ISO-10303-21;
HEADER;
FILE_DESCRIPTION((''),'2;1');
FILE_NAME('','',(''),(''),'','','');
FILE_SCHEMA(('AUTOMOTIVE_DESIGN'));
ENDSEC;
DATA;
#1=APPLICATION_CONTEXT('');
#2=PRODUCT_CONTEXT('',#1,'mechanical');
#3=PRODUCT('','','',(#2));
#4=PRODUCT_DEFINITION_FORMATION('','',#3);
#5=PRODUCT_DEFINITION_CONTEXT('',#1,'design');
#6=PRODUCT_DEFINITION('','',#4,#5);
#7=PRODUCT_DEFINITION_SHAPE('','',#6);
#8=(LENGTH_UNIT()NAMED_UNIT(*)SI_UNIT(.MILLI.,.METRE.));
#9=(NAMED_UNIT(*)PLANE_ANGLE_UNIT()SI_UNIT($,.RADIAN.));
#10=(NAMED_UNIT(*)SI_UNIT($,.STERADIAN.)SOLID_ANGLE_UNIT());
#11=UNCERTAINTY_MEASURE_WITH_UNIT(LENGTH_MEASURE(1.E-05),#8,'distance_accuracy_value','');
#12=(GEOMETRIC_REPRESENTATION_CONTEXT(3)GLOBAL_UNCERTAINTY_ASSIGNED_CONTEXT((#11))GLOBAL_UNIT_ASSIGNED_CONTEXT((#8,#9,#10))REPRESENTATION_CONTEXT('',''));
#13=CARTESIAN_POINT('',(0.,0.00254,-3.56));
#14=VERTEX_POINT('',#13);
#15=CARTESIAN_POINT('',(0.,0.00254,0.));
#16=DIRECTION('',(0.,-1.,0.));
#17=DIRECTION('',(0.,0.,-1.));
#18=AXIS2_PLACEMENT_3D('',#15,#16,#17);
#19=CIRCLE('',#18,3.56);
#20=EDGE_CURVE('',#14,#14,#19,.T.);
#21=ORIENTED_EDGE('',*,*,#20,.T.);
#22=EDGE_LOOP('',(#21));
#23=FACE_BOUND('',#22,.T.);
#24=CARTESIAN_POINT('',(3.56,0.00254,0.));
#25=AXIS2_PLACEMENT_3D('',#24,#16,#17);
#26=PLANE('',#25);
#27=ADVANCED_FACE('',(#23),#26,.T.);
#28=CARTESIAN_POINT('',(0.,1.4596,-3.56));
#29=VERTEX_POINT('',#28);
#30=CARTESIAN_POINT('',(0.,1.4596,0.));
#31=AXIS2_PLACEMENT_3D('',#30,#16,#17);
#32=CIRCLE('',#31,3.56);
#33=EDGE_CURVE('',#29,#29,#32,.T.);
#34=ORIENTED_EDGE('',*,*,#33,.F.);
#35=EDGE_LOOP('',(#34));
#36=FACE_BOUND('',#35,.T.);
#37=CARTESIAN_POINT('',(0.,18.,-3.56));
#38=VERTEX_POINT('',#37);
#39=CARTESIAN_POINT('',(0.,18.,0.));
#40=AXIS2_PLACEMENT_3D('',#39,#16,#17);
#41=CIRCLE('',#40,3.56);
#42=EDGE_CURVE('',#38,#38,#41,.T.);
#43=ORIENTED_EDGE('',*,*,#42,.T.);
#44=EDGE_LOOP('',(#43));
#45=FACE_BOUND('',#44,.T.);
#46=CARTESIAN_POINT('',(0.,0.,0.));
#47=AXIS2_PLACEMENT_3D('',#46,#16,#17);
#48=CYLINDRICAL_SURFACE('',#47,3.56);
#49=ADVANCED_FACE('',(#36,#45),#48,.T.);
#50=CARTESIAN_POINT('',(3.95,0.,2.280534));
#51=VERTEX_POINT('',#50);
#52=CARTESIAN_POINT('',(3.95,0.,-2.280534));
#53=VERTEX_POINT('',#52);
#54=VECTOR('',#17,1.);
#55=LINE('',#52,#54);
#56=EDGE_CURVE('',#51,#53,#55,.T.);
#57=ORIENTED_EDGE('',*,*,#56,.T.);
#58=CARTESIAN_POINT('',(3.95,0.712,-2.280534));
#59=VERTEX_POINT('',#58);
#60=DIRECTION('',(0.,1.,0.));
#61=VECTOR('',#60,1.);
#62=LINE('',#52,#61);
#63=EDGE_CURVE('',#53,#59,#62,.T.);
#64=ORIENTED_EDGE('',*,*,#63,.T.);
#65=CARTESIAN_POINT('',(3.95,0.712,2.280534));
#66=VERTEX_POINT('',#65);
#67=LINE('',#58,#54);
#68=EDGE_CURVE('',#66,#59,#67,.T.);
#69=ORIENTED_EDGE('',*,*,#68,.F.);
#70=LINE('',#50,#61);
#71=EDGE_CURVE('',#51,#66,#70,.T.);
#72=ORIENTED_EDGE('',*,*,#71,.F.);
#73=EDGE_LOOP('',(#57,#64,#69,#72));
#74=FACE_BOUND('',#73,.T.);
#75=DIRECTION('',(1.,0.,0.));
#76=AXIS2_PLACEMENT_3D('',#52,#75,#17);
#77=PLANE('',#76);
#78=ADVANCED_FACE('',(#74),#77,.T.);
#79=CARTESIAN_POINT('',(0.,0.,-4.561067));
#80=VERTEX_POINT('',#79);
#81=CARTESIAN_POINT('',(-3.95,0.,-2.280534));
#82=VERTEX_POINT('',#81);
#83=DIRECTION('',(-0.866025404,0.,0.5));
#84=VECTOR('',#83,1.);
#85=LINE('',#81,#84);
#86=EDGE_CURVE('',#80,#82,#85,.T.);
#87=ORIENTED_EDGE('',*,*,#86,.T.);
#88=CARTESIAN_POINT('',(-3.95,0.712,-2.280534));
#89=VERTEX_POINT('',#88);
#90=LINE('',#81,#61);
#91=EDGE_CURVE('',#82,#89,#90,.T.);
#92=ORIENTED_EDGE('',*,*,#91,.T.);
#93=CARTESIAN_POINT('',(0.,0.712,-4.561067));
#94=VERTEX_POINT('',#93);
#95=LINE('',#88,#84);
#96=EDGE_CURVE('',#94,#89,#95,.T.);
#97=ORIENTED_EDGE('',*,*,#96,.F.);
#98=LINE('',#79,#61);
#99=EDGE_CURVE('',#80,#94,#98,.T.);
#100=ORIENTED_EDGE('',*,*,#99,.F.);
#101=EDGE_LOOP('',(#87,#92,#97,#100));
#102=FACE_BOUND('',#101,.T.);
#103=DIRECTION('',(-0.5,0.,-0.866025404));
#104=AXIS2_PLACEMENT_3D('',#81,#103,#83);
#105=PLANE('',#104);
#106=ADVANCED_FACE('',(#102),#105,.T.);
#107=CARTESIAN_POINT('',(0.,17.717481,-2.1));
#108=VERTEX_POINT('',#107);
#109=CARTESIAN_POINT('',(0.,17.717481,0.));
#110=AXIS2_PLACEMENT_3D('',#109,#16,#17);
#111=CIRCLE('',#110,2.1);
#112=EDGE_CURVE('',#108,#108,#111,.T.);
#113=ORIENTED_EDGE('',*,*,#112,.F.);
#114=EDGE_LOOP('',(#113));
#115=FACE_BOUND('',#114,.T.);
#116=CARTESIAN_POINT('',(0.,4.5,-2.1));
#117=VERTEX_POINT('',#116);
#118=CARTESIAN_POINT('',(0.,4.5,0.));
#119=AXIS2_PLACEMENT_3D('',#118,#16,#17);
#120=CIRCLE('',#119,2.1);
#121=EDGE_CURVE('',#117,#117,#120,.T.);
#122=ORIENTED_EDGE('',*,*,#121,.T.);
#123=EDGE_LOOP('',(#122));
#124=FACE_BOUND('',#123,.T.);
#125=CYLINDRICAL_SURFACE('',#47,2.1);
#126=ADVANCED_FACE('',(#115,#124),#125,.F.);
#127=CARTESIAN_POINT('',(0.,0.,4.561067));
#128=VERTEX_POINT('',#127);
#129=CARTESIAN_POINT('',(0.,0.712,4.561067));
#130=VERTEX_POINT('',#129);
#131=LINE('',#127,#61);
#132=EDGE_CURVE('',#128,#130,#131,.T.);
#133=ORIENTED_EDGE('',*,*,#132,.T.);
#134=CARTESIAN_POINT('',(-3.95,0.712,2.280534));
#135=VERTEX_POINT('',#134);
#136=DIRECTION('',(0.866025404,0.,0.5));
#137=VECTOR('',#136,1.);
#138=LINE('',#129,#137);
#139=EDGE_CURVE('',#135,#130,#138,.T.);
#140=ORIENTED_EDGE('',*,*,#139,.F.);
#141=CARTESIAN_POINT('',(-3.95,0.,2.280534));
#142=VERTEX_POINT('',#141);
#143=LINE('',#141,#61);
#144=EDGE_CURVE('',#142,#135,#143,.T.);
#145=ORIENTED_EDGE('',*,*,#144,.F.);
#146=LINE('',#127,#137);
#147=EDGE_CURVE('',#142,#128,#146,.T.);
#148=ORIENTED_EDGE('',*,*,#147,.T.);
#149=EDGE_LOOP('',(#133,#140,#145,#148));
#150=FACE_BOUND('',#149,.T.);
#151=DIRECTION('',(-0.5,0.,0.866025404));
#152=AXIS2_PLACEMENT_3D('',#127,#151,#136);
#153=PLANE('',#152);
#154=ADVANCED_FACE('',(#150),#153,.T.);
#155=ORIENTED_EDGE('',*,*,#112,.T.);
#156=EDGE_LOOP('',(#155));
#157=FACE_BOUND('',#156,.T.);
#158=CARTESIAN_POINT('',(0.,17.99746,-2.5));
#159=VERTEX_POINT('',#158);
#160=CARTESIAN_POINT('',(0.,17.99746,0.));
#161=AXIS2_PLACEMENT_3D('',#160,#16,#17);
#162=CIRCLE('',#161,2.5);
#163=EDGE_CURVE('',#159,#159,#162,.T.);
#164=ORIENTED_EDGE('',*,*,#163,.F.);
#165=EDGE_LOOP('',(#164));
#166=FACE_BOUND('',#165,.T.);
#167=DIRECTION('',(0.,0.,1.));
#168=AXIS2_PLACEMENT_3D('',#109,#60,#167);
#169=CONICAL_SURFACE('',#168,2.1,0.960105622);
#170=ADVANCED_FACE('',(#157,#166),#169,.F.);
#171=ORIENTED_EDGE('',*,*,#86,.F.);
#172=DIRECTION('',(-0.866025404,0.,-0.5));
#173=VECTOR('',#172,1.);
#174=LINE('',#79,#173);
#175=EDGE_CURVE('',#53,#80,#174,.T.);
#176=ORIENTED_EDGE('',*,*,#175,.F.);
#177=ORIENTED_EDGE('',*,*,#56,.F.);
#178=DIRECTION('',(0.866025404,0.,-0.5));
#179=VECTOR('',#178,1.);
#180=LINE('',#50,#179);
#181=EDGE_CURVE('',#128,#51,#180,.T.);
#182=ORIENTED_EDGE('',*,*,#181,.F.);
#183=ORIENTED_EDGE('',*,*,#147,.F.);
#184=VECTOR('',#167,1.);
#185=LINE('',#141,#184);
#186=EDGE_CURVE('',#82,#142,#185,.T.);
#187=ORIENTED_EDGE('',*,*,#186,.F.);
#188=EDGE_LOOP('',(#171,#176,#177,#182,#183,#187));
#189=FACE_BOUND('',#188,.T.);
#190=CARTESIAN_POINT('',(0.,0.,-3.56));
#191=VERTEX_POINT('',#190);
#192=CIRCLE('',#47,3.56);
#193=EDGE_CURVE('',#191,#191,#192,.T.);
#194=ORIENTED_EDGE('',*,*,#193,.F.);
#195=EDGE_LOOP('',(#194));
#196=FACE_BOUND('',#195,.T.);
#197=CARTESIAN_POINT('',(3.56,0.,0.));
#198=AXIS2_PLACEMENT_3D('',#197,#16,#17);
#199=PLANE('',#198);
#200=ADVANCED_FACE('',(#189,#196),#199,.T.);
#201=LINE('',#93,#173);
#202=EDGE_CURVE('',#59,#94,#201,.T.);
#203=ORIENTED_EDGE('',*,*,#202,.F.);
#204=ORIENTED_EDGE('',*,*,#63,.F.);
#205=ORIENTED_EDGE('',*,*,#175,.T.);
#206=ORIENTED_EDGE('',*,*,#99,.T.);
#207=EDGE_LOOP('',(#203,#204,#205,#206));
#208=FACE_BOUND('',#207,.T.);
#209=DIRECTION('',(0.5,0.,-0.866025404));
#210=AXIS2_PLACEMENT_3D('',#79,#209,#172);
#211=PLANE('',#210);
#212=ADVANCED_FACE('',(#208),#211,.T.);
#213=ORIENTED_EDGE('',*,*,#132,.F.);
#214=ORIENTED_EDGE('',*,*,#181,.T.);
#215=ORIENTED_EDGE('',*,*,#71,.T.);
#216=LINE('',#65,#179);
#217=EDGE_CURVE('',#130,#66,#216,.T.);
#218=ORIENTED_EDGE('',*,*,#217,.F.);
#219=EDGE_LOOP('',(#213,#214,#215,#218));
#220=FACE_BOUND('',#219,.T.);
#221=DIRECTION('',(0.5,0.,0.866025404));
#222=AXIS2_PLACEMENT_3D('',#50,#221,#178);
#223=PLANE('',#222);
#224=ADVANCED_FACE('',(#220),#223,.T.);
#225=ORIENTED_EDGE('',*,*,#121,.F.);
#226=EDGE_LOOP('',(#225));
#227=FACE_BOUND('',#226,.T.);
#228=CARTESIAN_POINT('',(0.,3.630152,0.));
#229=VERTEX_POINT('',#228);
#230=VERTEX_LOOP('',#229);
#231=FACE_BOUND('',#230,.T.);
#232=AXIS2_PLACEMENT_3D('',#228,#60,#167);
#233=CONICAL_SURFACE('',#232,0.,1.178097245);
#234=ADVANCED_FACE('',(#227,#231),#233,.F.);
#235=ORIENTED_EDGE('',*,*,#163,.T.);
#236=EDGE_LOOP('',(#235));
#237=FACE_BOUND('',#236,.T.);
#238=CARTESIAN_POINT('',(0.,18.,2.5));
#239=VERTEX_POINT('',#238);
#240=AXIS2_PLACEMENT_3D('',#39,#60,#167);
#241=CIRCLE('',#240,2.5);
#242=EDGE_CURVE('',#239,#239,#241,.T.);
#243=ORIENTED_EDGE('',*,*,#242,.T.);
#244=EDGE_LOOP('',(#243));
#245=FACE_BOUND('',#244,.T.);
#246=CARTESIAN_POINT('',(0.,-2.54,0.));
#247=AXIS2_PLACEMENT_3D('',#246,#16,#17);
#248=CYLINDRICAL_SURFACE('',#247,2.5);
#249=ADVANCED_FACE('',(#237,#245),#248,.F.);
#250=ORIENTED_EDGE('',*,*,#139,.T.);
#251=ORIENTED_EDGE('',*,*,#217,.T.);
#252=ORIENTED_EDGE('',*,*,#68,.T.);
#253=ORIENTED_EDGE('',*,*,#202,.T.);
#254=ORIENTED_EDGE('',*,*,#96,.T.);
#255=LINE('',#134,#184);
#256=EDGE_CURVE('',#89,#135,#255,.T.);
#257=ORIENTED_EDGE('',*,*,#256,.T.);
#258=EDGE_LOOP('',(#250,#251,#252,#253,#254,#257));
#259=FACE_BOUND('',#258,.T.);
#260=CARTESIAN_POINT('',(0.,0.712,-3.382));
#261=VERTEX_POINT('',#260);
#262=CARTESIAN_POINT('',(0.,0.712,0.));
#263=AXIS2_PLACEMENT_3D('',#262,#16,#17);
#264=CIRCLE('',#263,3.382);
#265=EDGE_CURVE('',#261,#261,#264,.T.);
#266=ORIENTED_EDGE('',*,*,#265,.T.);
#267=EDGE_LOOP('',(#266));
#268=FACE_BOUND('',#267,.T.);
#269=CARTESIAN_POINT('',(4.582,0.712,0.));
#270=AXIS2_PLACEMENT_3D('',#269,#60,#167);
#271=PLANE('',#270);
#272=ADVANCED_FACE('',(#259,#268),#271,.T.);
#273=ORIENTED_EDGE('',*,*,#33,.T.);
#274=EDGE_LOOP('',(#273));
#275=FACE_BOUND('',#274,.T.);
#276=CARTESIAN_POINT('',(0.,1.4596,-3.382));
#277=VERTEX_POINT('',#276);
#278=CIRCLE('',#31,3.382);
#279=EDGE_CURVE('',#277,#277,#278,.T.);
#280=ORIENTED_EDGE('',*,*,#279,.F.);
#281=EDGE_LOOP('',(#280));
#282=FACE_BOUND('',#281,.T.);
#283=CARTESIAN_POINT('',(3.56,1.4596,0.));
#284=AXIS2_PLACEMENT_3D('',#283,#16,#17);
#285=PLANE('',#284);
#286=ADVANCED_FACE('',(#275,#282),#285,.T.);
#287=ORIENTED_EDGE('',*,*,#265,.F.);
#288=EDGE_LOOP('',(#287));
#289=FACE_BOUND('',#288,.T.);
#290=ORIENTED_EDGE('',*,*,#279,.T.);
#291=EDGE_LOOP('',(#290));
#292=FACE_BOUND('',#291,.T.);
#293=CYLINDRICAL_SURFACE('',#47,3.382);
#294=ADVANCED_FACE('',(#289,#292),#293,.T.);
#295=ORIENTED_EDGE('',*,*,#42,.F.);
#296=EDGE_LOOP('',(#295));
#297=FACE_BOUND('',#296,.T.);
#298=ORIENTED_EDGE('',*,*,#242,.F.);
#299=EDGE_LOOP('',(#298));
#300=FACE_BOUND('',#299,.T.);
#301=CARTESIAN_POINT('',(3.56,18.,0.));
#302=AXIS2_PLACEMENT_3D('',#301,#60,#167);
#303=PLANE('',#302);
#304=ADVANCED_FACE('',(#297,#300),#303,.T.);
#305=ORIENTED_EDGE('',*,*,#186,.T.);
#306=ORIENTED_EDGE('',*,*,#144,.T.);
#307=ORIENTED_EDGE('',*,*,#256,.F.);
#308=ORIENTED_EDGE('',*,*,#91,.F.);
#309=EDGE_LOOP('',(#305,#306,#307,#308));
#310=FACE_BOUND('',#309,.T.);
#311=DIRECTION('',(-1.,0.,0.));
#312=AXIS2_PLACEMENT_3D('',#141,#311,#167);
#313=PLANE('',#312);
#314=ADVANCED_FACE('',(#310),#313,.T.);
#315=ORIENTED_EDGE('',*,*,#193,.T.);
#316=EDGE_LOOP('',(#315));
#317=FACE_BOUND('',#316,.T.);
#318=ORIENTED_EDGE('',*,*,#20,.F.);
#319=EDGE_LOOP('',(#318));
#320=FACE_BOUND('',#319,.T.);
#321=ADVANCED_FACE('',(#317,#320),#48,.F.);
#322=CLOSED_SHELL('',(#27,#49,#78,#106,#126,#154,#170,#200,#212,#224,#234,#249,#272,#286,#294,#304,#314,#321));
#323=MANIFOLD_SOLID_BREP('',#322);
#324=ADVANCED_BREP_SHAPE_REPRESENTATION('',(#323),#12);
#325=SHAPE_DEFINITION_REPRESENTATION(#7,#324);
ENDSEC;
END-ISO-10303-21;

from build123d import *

# Parameters (mm, degrees)
HEXDIESKE_R  = 4.5825
HEXDIE_DEPTH = 0.712


with BuildPart() as part:
    # BodySke → Body (revolve)
    with BuildSketch(Plane.XY, mode=Mode.PRIVATE) as body_sk:
        Polygon((3.56, 0), (4.582, 0), (4.582, 0.712), (3.382, 0.712), (3.382, 1.4596), (3.56, 1.4596), (3.56, 18), (2.1, 18), (2.1, 8.5), (0, 8.5), (0, 0.00254), (3.56, 0.00254), align=None)
    revolve(body_sk.sketch.rotate(Axis((0, 0, 0), (0, 1, 0)), 90), axis=Axis((0, 0, 0), (0, 1, 0)))

    # TapDriSke → TapDrill (revolve, cut)
    with BuildSketch(Plane.XY, mode=Mode.PRIVATE) as tapdrill_sk:
        Polygon((2.1, 4.5), (2.1, 18), (0, 18), (0, 3.630151519), align=None)
    revolve(tapdrill_sk.sketch.rotate(Axis((0, 0, 0), (0, 1, 0)), 90), axis=Axis((0, 0, 0), (0, 1, 0)), mode=Mode.SUBTRACT)

    # EndChamferSke → EndChamfer (revolve, cut)
    with BuildSketch(Plane.XY, mode=Mode.PRIVATE) as endchamfer_sk:
        Polygon((2.5, 17.99746), (2.1, 17.717481014), (2.1, 18.254), (2.5, 18.254), align=None)
    revolve(endchamfer_sk.sketch.rotate(Axis((0, -2.54, 0), (0, 1, 0)), 90), axis=Axis((0, -2.54, 0), (0, 1, 0)), mode=Mode.SUBTRACT)

    # HexDieSke → HexDie (cut)
    with BuildSketch(Plane(origin=(0, 0.712, 0), x_dir=(-1, 0, 0), z_dir=(0, 1, 0))):
        Circle(HEXDIESKE_R)
        Polygon((0, 4.561067127), (3.95, 2.280533563), (3.95, -2.280533563), (0, -4.561067127), (-3.95, -2.280533563), (-3.95, 2.280533563), align=None, mode=Mode.SUBTRACT)
    extrude(amount=-HEXDIE_DEPTH, mode=Mode.SUBTRACT)


solid = part.part
